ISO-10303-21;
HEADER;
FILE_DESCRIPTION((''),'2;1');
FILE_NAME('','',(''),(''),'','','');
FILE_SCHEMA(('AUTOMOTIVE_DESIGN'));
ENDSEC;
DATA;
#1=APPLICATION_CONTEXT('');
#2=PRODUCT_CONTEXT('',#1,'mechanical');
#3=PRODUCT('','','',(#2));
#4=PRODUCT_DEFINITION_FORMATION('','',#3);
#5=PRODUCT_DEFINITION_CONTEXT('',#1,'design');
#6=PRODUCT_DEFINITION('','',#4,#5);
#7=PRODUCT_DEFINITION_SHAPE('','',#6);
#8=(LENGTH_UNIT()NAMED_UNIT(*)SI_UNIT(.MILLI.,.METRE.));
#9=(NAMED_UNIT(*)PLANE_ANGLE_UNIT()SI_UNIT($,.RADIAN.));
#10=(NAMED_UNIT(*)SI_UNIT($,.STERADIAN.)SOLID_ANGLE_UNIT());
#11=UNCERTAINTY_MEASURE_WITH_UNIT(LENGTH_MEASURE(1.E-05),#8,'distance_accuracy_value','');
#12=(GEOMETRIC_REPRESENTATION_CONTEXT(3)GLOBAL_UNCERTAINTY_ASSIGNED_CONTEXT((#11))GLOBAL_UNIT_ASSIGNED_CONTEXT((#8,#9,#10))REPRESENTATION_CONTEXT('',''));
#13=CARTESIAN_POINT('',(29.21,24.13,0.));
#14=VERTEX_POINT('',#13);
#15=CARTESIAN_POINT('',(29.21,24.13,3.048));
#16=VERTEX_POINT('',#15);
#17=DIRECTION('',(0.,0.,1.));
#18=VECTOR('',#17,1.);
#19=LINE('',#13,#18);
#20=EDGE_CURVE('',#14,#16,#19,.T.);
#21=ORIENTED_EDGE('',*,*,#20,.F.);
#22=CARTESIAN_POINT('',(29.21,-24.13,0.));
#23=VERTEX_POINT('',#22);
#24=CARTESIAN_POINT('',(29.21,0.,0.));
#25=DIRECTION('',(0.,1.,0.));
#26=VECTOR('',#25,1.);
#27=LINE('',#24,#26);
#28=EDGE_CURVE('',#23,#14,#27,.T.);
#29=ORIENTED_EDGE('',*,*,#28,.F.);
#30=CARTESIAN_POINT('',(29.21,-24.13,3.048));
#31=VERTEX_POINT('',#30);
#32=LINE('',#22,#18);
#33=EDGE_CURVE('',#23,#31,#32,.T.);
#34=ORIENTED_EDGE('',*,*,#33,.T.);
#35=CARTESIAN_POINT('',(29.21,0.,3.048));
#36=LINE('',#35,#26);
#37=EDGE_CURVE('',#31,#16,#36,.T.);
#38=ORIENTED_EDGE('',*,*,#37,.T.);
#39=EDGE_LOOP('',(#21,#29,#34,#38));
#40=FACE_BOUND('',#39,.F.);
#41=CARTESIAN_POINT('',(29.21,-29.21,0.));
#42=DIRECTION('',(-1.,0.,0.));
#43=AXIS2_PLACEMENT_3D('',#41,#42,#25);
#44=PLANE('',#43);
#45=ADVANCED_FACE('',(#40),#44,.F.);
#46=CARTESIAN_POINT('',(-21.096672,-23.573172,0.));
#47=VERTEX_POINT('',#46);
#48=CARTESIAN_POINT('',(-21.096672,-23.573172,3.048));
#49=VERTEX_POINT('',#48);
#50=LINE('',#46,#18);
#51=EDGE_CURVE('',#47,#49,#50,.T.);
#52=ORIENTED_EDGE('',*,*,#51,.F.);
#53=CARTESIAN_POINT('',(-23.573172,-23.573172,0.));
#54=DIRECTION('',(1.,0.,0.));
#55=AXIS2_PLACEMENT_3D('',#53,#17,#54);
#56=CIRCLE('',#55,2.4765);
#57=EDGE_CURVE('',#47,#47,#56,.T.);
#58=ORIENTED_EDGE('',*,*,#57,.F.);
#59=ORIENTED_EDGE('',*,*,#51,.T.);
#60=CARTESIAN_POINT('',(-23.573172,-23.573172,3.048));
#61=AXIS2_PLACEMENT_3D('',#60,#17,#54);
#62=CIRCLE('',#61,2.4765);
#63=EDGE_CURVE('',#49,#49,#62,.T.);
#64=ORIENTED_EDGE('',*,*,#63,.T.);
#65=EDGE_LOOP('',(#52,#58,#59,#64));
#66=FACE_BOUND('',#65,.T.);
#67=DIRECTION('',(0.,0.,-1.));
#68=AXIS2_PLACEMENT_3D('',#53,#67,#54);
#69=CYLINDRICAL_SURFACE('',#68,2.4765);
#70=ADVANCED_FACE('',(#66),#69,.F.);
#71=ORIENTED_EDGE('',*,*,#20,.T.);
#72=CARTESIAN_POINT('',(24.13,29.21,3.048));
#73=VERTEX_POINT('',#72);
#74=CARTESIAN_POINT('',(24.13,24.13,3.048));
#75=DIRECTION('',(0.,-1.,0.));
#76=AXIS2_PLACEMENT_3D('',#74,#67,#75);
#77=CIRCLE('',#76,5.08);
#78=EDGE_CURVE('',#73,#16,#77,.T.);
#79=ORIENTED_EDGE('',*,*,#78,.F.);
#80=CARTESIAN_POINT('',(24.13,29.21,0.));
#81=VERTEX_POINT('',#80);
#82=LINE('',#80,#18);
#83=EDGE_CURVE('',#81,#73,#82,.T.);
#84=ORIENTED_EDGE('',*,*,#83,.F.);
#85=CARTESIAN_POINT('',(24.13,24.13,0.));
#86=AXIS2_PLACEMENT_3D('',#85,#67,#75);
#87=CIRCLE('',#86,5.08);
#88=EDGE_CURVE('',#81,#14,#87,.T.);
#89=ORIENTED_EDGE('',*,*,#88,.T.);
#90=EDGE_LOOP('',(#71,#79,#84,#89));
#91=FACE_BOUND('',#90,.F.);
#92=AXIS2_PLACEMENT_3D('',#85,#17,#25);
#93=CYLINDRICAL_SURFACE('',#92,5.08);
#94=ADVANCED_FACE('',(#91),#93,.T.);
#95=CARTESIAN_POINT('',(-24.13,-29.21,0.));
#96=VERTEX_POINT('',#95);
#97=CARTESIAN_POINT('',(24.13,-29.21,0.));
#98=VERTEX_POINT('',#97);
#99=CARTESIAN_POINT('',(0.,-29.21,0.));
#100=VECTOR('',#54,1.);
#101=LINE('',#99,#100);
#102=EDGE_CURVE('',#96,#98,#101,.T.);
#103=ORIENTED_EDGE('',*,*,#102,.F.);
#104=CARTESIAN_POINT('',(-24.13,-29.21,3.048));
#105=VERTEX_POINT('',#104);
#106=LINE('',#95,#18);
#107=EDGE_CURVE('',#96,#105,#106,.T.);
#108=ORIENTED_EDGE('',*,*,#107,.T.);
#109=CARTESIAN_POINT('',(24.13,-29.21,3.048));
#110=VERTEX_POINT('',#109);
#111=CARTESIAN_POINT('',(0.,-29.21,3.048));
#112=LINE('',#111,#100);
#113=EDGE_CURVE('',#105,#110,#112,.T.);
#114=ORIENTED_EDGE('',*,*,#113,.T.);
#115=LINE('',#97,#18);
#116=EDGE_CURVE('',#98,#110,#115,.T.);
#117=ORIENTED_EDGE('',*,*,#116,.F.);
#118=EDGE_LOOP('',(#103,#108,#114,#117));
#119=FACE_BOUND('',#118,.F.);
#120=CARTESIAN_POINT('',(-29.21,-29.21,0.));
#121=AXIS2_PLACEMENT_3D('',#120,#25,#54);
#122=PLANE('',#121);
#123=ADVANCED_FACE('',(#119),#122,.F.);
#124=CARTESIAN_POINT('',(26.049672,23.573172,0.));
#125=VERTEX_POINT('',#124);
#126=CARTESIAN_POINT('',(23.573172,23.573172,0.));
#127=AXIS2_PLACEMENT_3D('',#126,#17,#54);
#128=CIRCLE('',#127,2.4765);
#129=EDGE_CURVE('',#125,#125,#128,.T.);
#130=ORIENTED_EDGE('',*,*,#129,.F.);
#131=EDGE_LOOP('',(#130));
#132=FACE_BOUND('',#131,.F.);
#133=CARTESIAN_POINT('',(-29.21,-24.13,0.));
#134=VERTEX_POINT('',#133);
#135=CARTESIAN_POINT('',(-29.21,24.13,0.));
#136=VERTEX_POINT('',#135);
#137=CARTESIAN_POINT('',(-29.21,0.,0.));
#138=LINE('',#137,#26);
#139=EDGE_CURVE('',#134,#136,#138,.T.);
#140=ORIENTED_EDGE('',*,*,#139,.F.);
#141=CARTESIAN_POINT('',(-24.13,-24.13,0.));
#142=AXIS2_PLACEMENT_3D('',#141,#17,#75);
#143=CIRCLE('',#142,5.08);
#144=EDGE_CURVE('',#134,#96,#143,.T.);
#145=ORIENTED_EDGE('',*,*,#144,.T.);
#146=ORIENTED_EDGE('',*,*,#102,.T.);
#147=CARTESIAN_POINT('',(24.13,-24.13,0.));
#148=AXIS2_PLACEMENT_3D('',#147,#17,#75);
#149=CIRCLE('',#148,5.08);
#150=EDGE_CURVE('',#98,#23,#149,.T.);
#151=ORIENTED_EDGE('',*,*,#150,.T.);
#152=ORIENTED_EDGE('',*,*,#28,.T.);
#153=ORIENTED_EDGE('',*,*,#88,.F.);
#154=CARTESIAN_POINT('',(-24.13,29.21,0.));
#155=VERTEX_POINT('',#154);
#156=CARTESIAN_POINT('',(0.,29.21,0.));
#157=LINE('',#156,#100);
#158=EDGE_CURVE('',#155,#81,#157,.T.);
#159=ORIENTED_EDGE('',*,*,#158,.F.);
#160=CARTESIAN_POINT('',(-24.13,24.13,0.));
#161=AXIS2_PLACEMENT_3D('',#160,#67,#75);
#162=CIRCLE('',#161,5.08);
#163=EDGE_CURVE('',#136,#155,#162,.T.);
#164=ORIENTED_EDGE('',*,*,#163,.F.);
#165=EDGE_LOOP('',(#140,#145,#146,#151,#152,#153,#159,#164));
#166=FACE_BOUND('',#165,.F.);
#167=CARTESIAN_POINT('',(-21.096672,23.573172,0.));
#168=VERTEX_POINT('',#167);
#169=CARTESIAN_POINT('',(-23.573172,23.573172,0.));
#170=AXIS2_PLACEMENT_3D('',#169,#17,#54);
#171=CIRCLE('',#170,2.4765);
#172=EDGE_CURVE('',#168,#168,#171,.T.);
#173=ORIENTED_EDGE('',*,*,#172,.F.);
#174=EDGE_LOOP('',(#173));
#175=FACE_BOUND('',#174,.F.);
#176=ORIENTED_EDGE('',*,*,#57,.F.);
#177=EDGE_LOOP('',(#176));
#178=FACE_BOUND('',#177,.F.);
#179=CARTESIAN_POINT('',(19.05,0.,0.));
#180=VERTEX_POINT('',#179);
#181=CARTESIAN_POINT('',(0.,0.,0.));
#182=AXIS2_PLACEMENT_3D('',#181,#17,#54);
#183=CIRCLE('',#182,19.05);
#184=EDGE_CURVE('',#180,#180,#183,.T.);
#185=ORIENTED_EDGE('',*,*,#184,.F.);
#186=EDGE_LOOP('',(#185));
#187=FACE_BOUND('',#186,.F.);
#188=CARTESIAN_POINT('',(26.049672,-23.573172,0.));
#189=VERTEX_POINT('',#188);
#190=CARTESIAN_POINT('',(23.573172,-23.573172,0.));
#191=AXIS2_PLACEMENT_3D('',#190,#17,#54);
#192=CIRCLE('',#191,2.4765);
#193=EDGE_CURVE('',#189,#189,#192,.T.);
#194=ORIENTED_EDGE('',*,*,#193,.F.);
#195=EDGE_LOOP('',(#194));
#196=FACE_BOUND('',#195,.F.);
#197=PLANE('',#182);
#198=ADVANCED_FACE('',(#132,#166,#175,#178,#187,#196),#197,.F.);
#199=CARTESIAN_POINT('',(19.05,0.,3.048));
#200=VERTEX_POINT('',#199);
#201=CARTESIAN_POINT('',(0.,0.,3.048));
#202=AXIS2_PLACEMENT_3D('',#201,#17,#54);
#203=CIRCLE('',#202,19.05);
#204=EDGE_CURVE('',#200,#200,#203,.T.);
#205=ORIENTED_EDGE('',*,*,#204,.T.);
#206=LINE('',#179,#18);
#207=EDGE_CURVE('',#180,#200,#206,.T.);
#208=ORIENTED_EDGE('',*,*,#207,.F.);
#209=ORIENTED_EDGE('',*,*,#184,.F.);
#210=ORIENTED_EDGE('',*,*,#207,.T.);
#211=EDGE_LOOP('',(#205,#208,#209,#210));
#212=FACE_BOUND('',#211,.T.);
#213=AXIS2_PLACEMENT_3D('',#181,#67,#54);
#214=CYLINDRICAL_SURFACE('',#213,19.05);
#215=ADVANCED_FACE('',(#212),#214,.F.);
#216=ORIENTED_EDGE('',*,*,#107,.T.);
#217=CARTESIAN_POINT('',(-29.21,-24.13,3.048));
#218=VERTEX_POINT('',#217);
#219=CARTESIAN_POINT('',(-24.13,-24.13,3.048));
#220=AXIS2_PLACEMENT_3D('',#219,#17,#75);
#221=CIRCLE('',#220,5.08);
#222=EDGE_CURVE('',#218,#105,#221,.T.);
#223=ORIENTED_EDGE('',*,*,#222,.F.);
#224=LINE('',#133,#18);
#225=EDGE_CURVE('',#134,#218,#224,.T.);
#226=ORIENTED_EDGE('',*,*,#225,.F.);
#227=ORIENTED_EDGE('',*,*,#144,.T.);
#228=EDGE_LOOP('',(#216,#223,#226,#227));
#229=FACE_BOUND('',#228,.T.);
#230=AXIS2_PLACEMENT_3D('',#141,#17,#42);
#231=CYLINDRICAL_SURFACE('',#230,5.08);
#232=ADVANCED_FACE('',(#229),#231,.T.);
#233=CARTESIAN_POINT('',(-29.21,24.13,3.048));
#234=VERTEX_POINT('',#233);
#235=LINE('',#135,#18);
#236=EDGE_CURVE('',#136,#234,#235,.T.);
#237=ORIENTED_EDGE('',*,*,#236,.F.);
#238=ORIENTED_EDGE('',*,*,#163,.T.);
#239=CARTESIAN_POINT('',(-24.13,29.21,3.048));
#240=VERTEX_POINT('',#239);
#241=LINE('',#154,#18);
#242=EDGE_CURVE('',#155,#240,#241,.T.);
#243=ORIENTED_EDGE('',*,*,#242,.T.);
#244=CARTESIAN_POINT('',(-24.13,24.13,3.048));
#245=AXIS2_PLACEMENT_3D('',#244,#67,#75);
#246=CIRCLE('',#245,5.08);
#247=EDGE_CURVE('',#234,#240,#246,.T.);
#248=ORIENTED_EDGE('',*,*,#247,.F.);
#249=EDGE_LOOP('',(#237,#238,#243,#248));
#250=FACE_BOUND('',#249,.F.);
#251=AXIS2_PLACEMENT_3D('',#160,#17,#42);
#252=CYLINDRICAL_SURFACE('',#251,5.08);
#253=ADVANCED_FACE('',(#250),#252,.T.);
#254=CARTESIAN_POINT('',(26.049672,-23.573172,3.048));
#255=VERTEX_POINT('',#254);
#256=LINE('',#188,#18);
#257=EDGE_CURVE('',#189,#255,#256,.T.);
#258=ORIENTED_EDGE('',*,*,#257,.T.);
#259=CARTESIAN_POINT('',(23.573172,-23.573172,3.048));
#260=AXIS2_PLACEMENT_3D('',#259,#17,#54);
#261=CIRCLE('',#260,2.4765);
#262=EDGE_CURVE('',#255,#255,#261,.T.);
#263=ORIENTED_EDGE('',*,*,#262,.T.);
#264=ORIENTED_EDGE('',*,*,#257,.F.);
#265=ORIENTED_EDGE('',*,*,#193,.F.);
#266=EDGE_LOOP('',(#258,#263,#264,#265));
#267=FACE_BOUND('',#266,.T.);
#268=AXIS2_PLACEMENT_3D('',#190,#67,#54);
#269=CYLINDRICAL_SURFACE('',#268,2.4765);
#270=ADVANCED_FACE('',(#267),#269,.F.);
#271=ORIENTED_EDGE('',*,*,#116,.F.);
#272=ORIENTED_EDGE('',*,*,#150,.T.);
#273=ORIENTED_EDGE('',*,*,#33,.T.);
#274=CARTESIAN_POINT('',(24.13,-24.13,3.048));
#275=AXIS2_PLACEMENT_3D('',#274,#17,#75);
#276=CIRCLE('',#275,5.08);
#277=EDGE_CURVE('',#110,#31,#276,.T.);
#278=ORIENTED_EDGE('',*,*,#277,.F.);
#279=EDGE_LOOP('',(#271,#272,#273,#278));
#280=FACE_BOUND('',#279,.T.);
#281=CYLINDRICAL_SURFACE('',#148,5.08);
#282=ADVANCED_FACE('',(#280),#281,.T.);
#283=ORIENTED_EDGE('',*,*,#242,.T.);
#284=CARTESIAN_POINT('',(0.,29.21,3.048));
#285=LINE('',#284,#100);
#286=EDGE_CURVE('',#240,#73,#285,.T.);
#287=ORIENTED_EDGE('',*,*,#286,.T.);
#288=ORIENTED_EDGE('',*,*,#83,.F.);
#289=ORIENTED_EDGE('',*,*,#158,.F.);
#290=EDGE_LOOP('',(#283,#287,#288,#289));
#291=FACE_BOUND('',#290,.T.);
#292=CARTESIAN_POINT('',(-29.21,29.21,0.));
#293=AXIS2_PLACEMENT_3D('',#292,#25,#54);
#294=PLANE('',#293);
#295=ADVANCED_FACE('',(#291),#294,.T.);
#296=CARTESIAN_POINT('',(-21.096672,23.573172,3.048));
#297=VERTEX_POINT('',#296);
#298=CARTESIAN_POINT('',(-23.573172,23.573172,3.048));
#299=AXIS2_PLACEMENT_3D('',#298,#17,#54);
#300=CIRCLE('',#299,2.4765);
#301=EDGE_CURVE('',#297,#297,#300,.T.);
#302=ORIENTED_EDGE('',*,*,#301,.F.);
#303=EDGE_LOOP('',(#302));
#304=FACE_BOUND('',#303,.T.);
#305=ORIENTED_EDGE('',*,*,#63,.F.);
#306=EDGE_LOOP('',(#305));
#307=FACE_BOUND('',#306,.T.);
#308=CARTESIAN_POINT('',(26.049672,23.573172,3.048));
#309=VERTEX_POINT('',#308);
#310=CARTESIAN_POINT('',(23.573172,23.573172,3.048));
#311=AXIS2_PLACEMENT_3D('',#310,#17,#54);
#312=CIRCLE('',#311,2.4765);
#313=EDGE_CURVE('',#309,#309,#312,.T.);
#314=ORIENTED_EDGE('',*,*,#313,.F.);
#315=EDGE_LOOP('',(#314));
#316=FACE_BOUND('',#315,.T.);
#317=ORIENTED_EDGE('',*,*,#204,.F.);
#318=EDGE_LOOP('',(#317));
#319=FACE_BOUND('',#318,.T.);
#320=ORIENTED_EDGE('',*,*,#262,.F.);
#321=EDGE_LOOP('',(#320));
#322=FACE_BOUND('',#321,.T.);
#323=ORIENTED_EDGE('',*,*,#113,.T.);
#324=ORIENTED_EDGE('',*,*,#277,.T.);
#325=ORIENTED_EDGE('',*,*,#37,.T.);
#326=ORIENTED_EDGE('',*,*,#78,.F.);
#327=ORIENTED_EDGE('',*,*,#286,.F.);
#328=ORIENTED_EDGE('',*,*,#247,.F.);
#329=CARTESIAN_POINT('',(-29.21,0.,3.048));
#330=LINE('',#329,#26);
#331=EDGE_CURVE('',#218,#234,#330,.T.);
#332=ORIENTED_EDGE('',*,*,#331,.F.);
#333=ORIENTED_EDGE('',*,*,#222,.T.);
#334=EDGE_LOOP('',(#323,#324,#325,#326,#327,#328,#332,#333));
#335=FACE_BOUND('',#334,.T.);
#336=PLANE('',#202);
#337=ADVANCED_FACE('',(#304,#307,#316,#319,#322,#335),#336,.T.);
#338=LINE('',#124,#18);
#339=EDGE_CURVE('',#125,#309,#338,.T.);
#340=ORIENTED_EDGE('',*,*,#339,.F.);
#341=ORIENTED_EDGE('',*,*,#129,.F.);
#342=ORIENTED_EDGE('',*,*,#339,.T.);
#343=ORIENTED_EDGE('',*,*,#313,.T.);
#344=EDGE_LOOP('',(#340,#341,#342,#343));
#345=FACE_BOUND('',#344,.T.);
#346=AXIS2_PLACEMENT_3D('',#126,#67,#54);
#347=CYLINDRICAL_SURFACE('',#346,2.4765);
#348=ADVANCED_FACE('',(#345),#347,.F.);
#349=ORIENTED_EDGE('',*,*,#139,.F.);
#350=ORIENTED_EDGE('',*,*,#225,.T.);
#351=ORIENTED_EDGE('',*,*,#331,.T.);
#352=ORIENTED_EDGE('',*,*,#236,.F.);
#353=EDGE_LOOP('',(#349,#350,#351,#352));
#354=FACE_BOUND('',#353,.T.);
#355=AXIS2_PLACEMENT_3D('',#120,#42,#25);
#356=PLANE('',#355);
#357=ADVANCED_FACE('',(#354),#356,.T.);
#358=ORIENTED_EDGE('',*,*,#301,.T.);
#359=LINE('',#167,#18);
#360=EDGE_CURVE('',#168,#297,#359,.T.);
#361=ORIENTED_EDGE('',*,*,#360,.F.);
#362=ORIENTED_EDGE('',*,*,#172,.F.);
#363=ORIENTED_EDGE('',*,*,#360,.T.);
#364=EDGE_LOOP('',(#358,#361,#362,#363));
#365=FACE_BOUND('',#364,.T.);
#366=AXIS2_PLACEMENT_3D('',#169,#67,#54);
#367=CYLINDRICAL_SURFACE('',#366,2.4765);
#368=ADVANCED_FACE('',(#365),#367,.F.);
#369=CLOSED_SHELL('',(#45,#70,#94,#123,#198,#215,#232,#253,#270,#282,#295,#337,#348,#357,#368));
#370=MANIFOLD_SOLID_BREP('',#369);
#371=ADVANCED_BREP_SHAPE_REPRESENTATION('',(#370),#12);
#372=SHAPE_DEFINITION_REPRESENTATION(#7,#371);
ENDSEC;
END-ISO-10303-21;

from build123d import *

# Parameters (mm, degrees)
F0_W     = 58.42
F0_H     = 58.42
F0_R     = 2.4765
F0_R_2   = 19.05
F1_DEPTH = 3.048
F2_R     = 5.08
F3_R     = 5.08


with BuildPart() as f1:
    # F0 (on Top) → F1 (new body)
    with BuildSketch(Plane.XY):
        Rectangle(F0_W, F0_H)
        with Locations((-23.573172, -23.573172)):
            Circle(F0_R, mode=Mode.SUBTRACT)
        Circle(F0_R_2, mode=Mode.SUBTRACT)
        with Locations((23.573172, -23.573172)):
            Circle(F0_R, mode=Mode.SUBTRACT)
        with Locations((-23.573172, 23.573172)):
            Circle(F0_R, mode=Mode.SUBTRACT)
        with Locations((23.573172, 23.573172)):
            Circle(F0_R, mode=Mode.SUBTRACT)
    extrude(amount=F1_DEPTH)

    # F2
    f2_edges = [f1.edges().sort_by_distance(p)[0] for p in [
        (-29.21, 29.21, 1.524),
    ]]
    fillet(f2_edges, radius=F2_R)

    # F3
    f3_edges = [f1.edges().sort_by_distance(p)[0] for p in [
        (29.21, 29.21, 1.524),
        (29.21, -29.21, 1.524),
        (-29.21, -29.21, 1.524),
    ]]
    fillet(f3_edges, radius=F3_R)


solid = f1.part
